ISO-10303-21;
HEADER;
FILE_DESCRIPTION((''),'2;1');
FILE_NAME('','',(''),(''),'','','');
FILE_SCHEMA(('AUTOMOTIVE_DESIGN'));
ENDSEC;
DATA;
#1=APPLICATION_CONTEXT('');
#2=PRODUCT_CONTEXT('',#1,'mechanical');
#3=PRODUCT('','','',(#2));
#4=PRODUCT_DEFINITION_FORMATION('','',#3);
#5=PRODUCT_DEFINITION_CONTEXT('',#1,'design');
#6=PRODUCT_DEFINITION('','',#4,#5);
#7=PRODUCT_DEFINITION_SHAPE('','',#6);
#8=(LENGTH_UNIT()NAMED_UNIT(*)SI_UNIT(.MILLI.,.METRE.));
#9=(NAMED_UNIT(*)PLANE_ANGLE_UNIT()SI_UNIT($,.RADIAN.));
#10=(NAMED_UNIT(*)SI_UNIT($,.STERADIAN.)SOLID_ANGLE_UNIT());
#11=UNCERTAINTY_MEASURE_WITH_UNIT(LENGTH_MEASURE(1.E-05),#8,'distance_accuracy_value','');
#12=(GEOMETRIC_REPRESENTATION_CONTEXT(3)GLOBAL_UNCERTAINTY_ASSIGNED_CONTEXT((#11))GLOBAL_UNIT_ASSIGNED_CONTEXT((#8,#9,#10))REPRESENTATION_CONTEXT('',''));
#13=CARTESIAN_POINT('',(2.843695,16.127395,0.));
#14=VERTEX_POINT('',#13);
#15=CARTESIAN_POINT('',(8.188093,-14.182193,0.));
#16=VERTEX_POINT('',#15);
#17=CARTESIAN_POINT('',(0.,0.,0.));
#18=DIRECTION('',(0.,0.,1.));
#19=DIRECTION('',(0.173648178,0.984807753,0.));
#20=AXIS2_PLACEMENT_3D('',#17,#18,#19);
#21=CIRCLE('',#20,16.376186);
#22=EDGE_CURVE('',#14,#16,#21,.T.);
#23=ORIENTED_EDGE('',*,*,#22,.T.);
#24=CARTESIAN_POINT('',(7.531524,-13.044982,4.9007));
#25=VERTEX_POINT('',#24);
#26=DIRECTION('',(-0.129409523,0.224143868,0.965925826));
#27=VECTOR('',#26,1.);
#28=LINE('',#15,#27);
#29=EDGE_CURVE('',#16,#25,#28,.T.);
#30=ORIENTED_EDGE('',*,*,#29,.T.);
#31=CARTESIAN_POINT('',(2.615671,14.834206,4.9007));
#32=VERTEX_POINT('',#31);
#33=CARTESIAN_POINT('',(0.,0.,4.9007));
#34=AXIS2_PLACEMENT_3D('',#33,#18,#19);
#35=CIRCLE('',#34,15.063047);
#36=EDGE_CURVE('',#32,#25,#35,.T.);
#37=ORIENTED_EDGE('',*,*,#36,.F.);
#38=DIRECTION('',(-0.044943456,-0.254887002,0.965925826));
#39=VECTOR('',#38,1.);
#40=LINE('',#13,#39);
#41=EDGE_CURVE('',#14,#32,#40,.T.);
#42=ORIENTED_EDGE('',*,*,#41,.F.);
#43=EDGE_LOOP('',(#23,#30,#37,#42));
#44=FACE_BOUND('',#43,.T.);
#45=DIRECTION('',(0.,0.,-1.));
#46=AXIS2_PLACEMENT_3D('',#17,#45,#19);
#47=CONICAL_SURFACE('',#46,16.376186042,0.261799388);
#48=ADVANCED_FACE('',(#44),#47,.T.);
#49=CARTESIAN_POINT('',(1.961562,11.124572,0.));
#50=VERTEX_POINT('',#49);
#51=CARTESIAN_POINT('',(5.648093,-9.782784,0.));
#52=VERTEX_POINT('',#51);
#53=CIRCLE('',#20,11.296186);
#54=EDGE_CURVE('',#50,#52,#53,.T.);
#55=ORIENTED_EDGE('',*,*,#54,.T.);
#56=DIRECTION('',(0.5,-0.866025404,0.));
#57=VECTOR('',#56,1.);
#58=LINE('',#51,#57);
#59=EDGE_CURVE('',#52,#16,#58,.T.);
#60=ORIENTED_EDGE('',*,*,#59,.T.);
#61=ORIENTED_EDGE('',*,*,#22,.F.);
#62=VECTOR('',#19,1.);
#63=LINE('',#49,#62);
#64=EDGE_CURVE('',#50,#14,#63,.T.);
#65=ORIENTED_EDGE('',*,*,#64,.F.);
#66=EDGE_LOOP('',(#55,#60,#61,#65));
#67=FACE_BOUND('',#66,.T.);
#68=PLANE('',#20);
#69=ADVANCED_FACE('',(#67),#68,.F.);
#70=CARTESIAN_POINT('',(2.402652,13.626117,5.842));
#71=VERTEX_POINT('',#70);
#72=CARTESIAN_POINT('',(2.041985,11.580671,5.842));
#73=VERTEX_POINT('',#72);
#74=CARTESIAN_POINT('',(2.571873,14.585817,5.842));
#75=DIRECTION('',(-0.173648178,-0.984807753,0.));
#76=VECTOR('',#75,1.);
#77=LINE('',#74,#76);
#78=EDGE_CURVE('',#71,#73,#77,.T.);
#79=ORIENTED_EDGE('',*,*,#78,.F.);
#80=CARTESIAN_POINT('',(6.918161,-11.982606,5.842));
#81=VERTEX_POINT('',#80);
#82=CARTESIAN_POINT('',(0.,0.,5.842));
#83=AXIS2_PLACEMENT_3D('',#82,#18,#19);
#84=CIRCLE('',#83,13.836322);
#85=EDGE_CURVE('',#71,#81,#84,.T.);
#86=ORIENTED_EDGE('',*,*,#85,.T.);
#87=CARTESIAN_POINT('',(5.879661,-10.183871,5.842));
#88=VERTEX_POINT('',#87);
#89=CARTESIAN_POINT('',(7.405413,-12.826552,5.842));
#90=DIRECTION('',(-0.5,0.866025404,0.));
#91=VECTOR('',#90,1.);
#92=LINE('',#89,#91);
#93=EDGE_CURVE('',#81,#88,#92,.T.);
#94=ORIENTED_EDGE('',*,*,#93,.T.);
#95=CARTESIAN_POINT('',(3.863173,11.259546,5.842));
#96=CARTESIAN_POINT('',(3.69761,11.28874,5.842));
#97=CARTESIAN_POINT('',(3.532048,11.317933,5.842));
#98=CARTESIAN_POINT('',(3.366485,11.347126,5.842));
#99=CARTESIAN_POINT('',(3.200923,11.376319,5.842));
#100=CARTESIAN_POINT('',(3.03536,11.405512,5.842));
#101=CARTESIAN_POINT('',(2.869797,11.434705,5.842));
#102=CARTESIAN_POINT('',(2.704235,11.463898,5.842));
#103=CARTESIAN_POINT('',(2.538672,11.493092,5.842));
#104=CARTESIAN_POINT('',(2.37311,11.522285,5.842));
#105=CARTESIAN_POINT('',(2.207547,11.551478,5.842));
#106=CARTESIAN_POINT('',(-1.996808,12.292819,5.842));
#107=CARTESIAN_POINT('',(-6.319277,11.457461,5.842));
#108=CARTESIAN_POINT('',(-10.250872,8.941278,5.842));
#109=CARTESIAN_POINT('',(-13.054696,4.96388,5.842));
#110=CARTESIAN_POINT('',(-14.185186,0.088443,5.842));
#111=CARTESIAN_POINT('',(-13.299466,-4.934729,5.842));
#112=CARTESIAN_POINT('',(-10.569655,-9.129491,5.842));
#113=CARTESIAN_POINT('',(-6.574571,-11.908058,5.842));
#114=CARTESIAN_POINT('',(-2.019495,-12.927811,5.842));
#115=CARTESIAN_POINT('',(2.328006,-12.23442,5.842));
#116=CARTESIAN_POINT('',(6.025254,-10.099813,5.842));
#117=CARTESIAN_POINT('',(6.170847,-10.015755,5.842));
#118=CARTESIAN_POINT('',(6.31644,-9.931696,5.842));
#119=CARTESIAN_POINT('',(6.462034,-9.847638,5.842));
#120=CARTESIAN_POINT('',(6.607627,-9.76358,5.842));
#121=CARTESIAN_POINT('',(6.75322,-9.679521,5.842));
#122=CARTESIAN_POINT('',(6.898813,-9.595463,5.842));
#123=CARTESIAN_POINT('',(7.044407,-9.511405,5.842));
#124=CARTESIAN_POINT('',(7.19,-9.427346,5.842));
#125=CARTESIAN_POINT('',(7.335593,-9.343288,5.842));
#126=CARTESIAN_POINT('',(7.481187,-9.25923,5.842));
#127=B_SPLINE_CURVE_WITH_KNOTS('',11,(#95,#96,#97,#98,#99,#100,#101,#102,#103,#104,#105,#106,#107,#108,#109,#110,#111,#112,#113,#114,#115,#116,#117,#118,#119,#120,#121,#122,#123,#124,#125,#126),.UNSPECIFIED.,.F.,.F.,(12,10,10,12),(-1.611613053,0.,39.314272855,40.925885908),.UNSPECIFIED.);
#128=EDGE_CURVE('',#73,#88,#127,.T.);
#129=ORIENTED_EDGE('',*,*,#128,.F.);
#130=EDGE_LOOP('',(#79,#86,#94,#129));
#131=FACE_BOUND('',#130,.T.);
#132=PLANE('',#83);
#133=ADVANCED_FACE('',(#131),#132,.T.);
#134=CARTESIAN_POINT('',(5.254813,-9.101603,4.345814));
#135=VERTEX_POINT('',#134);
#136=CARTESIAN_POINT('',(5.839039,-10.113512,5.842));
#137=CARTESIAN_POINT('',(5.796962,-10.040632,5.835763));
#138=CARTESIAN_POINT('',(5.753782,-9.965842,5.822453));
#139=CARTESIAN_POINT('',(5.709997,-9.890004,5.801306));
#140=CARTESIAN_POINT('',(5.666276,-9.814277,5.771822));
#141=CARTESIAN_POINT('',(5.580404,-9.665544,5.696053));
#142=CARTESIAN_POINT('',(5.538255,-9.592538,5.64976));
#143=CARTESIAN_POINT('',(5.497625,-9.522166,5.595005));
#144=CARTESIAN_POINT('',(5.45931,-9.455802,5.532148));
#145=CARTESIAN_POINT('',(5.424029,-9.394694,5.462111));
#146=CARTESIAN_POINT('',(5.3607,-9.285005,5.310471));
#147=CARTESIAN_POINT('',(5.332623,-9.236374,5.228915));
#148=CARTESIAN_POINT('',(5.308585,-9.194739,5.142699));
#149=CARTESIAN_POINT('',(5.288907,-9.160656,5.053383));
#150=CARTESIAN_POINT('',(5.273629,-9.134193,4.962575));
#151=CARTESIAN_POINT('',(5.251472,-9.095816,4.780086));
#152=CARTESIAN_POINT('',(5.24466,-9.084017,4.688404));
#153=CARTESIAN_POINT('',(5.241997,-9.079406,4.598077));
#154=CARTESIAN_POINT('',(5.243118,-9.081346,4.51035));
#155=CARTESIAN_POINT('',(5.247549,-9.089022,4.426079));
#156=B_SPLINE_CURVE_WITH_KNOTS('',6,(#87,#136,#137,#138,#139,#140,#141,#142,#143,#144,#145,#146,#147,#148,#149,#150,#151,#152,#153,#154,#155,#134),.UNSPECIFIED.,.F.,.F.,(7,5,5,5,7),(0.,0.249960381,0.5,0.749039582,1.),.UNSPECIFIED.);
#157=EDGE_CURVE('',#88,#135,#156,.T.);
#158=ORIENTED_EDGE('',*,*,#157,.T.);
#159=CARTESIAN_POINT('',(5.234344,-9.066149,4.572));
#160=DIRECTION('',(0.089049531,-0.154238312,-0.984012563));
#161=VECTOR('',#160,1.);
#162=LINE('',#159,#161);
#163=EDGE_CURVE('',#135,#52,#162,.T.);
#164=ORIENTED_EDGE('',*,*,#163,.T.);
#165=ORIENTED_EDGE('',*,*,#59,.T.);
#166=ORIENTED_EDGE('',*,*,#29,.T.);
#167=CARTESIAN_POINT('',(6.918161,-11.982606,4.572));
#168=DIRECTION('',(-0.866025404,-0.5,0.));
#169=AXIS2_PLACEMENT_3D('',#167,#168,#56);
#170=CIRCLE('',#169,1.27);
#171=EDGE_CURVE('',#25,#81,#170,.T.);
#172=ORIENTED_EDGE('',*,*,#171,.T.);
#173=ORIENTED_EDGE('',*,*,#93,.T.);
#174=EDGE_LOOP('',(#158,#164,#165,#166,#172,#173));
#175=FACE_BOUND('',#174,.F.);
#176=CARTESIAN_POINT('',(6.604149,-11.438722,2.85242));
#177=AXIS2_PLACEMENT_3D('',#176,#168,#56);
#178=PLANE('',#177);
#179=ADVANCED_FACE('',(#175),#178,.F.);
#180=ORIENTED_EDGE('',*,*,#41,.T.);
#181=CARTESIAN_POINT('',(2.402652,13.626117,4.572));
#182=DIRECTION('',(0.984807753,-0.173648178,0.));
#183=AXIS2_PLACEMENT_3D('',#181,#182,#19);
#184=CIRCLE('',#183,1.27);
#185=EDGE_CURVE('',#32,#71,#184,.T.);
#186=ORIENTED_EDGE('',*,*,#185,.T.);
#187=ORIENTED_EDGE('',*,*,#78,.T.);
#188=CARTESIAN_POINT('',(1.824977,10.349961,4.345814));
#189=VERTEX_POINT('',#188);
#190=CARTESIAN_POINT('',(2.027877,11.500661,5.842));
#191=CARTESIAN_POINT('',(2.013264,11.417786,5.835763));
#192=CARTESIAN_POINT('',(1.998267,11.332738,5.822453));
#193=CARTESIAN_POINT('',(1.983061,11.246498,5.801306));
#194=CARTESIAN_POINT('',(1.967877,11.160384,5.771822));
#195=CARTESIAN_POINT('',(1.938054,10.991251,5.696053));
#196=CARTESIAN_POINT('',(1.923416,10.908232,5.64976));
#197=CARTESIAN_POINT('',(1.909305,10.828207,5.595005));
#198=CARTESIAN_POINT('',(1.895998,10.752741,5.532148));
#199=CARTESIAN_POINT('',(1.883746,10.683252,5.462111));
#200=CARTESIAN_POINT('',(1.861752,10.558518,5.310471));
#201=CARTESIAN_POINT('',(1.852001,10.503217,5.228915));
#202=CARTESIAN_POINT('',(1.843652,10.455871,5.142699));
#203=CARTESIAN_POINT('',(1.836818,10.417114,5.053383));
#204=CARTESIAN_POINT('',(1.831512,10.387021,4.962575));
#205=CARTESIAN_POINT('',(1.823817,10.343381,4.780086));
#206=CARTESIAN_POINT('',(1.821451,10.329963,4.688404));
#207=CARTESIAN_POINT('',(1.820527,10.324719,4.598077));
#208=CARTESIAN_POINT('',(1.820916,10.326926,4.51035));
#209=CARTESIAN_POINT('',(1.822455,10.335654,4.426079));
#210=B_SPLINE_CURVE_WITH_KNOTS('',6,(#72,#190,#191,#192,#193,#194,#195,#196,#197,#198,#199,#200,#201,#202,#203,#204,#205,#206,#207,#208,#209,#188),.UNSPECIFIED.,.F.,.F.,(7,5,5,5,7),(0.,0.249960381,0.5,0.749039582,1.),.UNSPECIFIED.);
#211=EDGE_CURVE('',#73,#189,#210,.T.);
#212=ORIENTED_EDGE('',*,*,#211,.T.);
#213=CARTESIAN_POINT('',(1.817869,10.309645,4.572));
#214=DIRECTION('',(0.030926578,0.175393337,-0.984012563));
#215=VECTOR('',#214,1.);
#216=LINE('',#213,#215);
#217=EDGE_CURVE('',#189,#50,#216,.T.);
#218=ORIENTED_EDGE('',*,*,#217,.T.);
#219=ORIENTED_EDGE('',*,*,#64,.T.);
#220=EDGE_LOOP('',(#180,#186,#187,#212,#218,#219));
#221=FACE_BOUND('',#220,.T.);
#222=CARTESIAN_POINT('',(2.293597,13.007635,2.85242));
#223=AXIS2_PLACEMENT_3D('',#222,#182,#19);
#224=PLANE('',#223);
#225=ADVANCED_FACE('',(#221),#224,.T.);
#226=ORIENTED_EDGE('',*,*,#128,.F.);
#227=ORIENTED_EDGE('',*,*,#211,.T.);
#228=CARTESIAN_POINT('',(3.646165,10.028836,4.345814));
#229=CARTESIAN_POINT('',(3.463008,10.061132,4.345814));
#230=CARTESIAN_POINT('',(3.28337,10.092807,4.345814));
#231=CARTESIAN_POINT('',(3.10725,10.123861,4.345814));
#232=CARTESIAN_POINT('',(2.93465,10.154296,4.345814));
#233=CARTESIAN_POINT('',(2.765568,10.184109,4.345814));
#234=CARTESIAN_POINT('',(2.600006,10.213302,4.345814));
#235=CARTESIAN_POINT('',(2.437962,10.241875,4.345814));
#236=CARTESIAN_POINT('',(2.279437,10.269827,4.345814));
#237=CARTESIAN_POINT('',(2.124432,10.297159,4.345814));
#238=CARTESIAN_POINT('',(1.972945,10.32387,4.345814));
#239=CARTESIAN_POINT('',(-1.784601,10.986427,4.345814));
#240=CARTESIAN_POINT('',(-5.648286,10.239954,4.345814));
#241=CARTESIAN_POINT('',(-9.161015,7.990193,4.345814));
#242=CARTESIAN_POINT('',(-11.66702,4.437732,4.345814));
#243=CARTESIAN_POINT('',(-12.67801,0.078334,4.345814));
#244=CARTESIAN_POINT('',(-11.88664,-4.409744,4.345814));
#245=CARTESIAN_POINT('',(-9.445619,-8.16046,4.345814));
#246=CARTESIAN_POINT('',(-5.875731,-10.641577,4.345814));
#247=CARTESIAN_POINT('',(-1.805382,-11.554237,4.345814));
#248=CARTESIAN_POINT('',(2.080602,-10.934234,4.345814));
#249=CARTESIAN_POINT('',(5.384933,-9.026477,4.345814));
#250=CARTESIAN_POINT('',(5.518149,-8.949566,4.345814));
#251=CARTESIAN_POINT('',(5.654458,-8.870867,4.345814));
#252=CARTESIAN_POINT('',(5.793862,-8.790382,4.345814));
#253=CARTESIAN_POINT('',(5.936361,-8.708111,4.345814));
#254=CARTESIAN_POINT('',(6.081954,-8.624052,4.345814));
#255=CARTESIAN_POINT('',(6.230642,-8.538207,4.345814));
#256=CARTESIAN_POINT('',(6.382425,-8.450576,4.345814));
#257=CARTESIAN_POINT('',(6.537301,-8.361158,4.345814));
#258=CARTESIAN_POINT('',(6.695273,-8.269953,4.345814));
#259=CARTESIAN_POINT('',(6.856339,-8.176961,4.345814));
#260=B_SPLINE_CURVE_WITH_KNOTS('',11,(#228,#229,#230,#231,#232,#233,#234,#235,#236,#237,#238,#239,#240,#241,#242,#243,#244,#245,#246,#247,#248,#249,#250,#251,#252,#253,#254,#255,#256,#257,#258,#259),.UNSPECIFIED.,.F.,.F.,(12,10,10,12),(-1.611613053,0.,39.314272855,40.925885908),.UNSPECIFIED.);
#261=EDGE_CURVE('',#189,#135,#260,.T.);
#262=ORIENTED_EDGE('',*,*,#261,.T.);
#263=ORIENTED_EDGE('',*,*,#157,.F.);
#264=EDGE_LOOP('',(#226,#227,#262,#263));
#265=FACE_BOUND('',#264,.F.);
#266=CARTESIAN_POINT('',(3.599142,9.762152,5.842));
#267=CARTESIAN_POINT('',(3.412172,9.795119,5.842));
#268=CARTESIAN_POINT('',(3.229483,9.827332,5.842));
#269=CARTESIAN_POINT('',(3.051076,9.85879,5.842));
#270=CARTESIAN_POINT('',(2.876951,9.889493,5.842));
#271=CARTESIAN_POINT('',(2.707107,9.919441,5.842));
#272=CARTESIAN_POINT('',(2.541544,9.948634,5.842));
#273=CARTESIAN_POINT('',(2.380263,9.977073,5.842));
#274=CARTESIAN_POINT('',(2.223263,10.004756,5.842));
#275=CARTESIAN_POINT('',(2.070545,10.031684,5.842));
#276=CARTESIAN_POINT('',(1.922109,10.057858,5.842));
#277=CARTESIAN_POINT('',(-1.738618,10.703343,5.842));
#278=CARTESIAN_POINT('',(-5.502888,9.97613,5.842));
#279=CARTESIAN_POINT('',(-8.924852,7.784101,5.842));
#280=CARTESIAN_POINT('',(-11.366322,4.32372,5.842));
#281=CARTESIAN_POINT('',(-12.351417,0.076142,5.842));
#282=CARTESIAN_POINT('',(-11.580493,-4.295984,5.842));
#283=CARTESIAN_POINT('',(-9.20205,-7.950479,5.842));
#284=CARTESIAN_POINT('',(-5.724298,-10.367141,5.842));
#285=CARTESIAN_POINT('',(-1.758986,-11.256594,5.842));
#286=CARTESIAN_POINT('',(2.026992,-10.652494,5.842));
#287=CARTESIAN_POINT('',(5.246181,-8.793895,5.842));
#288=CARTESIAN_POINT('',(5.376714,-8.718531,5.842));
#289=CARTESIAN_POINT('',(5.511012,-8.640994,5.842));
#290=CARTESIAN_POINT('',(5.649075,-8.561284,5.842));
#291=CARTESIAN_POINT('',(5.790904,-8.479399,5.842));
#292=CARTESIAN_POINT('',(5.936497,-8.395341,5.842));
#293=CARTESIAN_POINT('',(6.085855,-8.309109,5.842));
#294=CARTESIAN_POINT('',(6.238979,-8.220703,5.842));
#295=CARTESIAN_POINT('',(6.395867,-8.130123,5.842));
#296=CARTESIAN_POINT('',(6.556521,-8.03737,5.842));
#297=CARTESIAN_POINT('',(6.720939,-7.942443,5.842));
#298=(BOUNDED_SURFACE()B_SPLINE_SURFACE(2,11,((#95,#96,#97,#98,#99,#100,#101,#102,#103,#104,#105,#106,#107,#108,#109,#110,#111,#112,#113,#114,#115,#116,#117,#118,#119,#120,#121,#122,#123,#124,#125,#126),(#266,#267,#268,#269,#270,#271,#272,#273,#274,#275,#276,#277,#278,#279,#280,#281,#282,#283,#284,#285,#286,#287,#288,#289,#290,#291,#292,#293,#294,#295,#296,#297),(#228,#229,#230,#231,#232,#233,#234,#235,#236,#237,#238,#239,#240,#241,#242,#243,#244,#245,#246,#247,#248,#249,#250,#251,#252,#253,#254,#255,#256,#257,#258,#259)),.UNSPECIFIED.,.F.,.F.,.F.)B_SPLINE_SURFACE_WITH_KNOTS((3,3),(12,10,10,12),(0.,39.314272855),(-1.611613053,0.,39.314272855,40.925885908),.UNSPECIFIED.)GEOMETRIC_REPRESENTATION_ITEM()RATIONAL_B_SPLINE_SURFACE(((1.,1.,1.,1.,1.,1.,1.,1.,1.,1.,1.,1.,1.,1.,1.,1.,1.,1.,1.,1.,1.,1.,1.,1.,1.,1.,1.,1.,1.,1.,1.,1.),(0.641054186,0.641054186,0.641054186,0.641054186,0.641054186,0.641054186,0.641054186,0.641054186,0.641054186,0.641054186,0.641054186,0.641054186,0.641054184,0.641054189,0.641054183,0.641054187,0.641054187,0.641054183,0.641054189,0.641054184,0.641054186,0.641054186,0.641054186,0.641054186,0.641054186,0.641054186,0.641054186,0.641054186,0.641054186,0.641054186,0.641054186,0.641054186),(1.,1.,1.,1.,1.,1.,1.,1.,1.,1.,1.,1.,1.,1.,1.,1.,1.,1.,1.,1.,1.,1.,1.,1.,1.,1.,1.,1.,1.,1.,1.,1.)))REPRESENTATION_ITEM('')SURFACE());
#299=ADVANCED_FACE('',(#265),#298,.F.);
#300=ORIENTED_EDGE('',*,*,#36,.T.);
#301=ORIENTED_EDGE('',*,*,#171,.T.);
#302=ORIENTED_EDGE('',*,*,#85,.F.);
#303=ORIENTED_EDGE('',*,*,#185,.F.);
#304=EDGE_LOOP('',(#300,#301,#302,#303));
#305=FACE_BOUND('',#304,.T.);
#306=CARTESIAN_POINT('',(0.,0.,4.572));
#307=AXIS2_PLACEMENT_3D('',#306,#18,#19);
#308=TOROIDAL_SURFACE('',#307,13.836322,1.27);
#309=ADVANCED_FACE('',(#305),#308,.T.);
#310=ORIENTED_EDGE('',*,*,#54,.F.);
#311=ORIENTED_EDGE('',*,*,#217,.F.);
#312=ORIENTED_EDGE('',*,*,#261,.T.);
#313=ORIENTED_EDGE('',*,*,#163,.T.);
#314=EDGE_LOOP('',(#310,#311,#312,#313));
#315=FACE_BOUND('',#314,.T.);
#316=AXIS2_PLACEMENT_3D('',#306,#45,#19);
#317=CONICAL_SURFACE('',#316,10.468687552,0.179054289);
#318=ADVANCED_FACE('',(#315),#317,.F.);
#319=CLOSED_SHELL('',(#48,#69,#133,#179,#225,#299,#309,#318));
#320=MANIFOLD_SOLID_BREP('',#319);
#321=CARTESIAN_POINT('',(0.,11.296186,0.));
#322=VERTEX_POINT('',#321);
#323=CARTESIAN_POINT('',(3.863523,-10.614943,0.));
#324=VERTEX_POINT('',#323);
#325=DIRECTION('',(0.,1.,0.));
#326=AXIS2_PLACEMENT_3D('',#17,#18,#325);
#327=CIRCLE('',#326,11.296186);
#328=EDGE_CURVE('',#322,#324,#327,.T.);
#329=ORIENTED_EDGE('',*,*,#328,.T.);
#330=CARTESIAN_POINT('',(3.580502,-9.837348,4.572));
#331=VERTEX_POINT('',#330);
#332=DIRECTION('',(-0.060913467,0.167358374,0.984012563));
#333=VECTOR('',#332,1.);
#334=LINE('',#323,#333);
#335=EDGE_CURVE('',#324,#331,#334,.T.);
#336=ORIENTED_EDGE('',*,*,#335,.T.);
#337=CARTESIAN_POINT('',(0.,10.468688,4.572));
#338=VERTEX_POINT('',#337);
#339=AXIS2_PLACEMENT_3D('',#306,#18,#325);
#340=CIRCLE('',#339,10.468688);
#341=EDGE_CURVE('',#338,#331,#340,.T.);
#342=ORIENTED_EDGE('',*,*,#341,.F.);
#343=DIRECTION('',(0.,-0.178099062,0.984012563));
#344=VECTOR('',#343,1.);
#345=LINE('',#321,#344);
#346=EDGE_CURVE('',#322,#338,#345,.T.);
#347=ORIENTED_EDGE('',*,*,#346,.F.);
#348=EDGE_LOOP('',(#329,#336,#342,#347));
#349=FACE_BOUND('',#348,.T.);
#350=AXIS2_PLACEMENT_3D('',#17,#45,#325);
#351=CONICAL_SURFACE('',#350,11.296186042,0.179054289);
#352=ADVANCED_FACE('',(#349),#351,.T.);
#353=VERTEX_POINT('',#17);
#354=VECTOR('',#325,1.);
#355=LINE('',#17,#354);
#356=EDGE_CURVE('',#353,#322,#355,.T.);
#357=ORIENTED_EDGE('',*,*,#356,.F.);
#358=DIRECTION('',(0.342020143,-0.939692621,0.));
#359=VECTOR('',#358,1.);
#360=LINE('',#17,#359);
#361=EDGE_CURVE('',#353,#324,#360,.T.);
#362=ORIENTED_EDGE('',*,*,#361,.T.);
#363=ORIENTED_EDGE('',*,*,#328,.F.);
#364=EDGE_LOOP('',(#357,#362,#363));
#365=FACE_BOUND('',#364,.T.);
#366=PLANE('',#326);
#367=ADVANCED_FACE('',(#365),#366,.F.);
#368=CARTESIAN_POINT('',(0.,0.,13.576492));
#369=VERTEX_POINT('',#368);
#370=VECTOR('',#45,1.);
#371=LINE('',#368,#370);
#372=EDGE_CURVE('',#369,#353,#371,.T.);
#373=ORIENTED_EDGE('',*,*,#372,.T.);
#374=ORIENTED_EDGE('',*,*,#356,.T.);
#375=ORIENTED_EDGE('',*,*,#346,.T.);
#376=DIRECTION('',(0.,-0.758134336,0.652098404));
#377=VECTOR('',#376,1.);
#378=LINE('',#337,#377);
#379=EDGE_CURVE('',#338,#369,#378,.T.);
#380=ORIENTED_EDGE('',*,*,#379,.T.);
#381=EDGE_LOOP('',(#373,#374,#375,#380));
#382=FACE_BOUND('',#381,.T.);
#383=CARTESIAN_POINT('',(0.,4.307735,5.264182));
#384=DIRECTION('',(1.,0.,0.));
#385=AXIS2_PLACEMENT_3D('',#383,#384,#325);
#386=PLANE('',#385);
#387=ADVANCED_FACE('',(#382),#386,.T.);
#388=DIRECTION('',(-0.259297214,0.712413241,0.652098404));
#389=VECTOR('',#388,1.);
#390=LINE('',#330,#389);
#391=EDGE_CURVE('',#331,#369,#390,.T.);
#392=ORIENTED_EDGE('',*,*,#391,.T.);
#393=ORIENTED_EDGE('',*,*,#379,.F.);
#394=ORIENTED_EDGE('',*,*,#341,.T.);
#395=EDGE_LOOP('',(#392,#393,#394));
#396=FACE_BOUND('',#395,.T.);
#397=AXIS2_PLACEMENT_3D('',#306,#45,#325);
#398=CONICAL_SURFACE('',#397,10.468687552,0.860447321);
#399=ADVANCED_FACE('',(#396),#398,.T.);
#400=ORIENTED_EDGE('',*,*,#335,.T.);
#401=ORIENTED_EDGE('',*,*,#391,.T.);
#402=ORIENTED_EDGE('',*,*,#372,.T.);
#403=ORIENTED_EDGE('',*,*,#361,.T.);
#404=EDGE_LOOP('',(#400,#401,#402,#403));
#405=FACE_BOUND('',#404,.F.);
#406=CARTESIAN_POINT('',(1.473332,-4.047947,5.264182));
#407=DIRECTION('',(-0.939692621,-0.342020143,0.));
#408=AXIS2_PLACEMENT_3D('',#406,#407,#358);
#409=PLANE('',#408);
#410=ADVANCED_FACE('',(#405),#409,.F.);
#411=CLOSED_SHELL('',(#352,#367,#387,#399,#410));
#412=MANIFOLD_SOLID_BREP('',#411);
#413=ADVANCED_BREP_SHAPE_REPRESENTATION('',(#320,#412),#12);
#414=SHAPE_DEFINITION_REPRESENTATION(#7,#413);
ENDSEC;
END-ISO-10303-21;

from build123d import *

# Parameters (mm, degrees)
F1_ANGLE      = 200
F2_ANGLE_BACK = 10
F2_ANGLE      = 220
F3_R          = 1.27


with BuildPart() as f1:
    # F0 (on Right) → F1 (revolve)
    with BuildSketch(Plane.YZ):
        Polygon((0, 13.5764918386), (0, 0), (11.2961860424, 0), (10.468687552, 4.572), align=None)
    revolve(axis=Axis((0, 0, 6.7882459193), (0, 0, 1)), revolution_arc=F1_ANGLE)


with BuildPart() as f2:
    # F0 (on Right) → F2 (revolve)
    with BuildSketch(Plane.YZ, mode=Mode.PRIVATE) as f2_sk:
        Polygon((10.468687552, 4.572), (11.2961860424, 0), (16.3761860424, 0), (14.8108268602, 5.842), (10.2388268602, 5.842), align=None)
    revolve(f2_sk.sketch.rotate(Axis((0, 0, 6.7882459193), (0, 0, 1)), -F2_ANGLE_BACK), axis=Axis((0, 0, 6.7882459193), (0, 0, 1)), revolution_arc=F2_ANGLE)

    # F3
    f3_edges = [f2.edges().sort_by_distance(p)[0] for p in [
        (-10.083276, -1.777954, 5.842),
        (-14.585817, -2.571873, 5.842),
    ]]
    fillet(f3_edges, radius=F3_R)


solid = Compound([f1.part, f2.part])
